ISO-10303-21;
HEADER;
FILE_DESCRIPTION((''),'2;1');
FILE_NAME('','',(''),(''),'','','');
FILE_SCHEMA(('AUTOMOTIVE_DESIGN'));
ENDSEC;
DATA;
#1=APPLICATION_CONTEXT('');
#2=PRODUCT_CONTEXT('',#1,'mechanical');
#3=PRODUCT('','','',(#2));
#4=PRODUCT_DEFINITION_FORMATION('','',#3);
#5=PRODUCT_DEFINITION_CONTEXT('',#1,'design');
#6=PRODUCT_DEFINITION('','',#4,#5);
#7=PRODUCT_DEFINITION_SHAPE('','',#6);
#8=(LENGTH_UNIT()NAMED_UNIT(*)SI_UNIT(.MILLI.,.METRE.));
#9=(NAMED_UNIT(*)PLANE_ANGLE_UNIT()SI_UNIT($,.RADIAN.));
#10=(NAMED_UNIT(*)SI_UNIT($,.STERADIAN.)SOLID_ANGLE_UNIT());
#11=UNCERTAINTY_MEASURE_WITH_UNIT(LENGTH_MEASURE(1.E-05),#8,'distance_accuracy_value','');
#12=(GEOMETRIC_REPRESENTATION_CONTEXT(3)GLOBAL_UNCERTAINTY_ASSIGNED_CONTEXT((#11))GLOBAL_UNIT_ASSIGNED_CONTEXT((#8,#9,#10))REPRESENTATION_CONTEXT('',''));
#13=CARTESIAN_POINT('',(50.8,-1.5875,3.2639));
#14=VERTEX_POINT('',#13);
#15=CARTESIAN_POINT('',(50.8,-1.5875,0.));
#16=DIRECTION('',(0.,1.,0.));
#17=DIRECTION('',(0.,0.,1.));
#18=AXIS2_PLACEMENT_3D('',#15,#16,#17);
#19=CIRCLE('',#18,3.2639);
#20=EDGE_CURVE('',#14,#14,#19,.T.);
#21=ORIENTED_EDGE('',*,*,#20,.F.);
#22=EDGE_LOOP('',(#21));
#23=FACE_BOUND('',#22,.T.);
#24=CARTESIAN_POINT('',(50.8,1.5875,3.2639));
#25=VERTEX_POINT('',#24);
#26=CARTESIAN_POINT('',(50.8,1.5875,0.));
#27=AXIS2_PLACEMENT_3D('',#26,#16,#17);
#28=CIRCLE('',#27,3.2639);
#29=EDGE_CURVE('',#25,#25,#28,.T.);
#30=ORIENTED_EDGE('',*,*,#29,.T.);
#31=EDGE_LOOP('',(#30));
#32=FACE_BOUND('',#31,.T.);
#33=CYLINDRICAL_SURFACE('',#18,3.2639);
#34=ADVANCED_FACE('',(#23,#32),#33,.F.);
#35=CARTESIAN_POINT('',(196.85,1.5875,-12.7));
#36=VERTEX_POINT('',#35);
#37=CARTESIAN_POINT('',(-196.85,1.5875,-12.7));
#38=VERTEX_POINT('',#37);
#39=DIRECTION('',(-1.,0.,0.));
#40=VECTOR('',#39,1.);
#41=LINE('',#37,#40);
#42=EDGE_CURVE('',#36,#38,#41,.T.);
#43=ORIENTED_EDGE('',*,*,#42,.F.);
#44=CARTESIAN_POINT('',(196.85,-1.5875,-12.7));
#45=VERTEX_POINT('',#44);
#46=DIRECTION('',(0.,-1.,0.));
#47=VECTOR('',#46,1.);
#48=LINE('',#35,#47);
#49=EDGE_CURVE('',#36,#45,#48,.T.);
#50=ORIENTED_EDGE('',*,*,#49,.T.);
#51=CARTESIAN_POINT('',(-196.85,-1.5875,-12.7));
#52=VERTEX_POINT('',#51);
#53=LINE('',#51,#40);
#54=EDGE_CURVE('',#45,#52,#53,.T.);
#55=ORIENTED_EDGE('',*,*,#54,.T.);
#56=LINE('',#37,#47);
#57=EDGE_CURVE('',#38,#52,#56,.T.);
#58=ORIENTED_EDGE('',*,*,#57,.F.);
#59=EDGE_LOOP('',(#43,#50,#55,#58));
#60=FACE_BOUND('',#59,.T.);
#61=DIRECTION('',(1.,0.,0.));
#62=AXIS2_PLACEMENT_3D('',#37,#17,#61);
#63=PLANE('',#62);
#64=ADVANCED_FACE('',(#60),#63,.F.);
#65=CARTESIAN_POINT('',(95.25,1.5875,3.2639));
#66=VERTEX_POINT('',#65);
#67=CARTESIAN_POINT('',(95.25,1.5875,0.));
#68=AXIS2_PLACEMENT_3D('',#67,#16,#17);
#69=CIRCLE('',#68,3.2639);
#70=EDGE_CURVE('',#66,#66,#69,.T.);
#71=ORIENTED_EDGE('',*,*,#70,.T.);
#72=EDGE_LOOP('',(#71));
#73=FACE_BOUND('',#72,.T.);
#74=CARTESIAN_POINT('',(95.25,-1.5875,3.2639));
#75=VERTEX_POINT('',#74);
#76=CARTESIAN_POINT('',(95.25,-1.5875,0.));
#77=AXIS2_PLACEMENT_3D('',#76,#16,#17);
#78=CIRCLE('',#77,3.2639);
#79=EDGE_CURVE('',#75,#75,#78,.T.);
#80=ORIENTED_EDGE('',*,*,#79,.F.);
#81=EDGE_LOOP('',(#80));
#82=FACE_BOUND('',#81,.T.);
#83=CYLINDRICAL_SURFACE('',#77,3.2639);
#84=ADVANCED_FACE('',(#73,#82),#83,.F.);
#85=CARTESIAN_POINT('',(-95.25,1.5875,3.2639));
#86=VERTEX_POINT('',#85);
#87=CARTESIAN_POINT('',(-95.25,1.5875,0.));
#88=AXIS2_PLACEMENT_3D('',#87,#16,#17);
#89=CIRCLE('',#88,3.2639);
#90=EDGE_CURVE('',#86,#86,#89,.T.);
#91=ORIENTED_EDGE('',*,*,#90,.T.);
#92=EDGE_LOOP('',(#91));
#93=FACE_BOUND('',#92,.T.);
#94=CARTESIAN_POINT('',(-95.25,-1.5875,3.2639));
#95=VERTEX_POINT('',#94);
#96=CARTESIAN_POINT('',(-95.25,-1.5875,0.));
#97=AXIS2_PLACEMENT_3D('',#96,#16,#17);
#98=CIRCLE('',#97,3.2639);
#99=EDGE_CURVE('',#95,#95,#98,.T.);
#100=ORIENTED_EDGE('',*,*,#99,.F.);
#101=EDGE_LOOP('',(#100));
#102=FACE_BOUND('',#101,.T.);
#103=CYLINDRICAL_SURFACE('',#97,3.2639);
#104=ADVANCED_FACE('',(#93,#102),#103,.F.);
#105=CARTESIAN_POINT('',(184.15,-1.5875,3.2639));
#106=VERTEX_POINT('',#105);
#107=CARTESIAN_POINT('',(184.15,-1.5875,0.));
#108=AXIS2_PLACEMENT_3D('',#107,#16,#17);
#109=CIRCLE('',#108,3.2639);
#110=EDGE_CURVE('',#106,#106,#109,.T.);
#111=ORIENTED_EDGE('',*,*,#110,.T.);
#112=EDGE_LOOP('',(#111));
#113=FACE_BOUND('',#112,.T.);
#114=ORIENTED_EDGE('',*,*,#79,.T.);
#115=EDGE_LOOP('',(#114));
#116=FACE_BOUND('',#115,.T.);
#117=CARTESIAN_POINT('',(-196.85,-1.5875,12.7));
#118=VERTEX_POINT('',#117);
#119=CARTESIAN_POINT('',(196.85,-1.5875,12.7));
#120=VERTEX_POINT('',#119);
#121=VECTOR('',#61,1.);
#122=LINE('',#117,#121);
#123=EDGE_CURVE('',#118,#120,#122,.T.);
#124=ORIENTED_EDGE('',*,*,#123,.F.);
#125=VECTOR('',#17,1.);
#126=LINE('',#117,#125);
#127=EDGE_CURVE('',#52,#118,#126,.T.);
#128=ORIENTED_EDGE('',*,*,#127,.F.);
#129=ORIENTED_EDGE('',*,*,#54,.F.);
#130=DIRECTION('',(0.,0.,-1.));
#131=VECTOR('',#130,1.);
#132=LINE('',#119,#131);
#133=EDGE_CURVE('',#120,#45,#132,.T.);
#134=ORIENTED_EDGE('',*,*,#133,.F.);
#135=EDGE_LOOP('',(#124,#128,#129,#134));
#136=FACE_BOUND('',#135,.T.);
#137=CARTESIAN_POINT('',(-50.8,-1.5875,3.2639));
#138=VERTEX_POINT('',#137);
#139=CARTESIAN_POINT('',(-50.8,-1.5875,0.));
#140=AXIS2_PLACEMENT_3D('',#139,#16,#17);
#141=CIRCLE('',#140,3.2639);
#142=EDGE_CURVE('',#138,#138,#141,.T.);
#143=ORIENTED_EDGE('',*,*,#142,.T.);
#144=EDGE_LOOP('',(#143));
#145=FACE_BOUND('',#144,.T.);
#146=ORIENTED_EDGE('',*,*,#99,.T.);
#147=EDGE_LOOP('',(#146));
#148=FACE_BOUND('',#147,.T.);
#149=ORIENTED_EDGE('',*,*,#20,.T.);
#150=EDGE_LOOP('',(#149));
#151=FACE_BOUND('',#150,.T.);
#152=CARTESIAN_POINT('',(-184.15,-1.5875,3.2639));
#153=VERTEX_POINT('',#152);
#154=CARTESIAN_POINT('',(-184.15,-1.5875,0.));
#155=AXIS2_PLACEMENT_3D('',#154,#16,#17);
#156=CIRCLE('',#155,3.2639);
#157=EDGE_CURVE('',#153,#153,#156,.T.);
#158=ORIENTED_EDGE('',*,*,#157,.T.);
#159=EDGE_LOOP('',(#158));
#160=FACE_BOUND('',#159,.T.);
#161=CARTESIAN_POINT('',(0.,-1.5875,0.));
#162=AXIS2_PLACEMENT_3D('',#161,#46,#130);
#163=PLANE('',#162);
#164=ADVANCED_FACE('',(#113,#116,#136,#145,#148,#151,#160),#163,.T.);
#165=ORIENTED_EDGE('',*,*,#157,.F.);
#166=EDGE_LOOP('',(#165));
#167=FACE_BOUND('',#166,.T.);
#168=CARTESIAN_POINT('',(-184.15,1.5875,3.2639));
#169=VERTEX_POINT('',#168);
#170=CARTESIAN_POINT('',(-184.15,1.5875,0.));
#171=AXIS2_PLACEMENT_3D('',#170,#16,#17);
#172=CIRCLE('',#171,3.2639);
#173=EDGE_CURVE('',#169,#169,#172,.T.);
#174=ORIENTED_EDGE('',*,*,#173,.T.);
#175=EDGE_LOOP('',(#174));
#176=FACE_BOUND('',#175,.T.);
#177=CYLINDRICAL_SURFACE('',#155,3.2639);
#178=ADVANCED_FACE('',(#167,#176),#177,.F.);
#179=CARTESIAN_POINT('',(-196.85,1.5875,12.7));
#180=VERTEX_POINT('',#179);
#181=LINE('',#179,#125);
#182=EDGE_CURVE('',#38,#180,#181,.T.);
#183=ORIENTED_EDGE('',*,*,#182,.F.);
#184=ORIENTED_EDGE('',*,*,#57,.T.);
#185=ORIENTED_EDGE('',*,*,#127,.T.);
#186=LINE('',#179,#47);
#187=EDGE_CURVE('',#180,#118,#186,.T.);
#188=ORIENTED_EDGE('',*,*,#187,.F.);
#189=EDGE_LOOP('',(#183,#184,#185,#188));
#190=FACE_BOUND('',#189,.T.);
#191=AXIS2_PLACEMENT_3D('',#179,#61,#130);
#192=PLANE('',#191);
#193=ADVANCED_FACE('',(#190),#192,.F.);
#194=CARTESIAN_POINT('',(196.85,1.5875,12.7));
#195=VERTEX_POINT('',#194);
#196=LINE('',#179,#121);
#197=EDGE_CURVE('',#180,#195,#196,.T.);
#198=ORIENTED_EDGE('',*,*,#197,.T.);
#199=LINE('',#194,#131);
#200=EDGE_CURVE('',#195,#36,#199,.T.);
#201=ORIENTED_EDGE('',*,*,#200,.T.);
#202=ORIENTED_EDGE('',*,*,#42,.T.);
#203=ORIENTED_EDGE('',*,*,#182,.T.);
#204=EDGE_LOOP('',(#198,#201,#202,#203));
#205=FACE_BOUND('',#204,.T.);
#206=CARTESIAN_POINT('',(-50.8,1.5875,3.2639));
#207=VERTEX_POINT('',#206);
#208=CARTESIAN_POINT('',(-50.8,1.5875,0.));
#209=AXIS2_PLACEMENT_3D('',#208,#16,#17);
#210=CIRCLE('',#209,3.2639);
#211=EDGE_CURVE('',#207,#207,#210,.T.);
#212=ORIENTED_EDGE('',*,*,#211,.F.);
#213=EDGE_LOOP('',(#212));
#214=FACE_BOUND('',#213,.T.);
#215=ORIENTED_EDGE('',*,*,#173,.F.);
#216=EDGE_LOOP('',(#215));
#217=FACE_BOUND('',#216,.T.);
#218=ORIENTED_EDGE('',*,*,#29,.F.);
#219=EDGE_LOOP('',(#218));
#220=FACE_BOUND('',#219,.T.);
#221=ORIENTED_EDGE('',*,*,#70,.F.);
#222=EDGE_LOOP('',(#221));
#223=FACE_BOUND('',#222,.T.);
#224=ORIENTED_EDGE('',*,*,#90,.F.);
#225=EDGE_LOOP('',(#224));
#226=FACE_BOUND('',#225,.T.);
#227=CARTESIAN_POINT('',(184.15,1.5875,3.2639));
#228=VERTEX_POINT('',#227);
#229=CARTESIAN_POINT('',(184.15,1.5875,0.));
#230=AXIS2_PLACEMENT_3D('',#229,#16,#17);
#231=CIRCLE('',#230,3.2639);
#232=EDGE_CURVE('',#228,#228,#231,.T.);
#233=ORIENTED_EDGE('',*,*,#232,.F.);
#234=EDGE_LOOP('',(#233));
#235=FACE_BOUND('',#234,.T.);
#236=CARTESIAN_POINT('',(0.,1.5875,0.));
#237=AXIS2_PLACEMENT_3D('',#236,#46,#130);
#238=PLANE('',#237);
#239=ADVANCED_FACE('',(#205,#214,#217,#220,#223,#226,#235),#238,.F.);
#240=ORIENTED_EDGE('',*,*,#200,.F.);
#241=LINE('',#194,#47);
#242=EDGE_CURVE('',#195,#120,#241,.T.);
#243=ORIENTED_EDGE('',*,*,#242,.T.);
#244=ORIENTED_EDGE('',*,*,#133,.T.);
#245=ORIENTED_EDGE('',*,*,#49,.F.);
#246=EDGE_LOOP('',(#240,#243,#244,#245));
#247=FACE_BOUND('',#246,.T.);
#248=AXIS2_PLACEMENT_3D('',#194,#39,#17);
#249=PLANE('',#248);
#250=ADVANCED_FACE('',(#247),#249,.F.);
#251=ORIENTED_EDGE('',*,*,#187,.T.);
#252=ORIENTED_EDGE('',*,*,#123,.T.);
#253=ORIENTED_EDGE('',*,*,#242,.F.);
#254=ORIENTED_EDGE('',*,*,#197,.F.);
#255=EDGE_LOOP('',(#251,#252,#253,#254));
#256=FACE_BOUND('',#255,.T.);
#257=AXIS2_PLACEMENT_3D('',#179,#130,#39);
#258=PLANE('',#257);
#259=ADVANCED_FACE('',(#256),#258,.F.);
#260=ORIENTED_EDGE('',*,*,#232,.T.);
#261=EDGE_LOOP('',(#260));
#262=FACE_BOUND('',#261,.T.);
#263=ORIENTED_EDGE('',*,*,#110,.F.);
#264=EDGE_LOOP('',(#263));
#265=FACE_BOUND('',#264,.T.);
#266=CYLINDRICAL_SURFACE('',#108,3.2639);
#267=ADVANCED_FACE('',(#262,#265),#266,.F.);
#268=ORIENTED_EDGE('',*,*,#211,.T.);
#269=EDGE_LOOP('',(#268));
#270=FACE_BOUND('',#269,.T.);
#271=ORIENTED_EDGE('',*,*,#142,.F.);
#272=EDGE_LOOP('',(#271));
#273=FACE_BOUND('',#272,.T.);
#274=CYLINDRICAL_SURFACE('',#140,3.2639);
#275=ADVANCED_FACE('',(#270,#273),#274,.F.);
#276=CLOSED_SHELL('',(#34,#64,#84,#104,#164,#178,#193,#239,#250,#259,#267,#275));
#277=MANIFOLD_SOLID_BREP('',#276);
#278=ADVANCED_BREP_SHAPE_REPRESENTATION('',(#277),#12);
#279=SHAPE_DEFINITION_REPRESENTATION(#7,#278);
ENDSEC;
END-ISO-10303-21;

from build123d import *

# Parameters (mm, degrees)
SKETCH1_W               = 393.7
SKETCH1_H               = 25.4
BOSS_EXTRUDE1_DEPTH     = 1.5875
SKETCH2_R               = 3.2639
CUT_EXTRUDE1_DEPTH      = 1
CUT_EXTRUDE1_DEPTH_BACK = 4.175


with BuildPart() as part:
    # Sketch1 → Boss-Extrude1 (new body, symmetric)
    with BuildSketch(Plane(origin=(0, 0, 0), x_dir=(1, 0, 0), z_dir=(0, 1, 0))):
        Rectangle(SKETCH1_W, SKETCH1_H)
    extrude(amount=BOSS_EXTRUDE1_DEPTH, both=True)

    # Sketch2 → Cut-Extrude1 (cut, two sides)
    with BuildSketch(Plane(origin=(0, 1.5875, 0), x_dir=(1, 0, 0), z_dir=(0, 1, 0))) as cut_extrude1_sk:
        with Locations((-184.15, 0)):
            Circle(SKETCH2_R)
        with Locations((184.15, 0)):
            Circle(SKETCH2_R)
        with Locations((-95.25, 0)):
            Circle(SKETCH2_R)
        with Locations((95.25, 0)):
            Circle(SKETCH2_R)
        with Locations((-50.8, 0)):
            Circle(SKETCH2_R)
        with Locations((50.8, 0)):
            Circle(SKETCH2_R)
    extrude(amount=CUT_EXTRUDE1_DEPTH, mode=Mode.SUBTRACT)
    extrude(cut_extrude1_sk.sketch, amount=-CUT_EXTRUDE1_DEPTH_BACK, mode=Mode.SUBTRACT)


solid = part.part
